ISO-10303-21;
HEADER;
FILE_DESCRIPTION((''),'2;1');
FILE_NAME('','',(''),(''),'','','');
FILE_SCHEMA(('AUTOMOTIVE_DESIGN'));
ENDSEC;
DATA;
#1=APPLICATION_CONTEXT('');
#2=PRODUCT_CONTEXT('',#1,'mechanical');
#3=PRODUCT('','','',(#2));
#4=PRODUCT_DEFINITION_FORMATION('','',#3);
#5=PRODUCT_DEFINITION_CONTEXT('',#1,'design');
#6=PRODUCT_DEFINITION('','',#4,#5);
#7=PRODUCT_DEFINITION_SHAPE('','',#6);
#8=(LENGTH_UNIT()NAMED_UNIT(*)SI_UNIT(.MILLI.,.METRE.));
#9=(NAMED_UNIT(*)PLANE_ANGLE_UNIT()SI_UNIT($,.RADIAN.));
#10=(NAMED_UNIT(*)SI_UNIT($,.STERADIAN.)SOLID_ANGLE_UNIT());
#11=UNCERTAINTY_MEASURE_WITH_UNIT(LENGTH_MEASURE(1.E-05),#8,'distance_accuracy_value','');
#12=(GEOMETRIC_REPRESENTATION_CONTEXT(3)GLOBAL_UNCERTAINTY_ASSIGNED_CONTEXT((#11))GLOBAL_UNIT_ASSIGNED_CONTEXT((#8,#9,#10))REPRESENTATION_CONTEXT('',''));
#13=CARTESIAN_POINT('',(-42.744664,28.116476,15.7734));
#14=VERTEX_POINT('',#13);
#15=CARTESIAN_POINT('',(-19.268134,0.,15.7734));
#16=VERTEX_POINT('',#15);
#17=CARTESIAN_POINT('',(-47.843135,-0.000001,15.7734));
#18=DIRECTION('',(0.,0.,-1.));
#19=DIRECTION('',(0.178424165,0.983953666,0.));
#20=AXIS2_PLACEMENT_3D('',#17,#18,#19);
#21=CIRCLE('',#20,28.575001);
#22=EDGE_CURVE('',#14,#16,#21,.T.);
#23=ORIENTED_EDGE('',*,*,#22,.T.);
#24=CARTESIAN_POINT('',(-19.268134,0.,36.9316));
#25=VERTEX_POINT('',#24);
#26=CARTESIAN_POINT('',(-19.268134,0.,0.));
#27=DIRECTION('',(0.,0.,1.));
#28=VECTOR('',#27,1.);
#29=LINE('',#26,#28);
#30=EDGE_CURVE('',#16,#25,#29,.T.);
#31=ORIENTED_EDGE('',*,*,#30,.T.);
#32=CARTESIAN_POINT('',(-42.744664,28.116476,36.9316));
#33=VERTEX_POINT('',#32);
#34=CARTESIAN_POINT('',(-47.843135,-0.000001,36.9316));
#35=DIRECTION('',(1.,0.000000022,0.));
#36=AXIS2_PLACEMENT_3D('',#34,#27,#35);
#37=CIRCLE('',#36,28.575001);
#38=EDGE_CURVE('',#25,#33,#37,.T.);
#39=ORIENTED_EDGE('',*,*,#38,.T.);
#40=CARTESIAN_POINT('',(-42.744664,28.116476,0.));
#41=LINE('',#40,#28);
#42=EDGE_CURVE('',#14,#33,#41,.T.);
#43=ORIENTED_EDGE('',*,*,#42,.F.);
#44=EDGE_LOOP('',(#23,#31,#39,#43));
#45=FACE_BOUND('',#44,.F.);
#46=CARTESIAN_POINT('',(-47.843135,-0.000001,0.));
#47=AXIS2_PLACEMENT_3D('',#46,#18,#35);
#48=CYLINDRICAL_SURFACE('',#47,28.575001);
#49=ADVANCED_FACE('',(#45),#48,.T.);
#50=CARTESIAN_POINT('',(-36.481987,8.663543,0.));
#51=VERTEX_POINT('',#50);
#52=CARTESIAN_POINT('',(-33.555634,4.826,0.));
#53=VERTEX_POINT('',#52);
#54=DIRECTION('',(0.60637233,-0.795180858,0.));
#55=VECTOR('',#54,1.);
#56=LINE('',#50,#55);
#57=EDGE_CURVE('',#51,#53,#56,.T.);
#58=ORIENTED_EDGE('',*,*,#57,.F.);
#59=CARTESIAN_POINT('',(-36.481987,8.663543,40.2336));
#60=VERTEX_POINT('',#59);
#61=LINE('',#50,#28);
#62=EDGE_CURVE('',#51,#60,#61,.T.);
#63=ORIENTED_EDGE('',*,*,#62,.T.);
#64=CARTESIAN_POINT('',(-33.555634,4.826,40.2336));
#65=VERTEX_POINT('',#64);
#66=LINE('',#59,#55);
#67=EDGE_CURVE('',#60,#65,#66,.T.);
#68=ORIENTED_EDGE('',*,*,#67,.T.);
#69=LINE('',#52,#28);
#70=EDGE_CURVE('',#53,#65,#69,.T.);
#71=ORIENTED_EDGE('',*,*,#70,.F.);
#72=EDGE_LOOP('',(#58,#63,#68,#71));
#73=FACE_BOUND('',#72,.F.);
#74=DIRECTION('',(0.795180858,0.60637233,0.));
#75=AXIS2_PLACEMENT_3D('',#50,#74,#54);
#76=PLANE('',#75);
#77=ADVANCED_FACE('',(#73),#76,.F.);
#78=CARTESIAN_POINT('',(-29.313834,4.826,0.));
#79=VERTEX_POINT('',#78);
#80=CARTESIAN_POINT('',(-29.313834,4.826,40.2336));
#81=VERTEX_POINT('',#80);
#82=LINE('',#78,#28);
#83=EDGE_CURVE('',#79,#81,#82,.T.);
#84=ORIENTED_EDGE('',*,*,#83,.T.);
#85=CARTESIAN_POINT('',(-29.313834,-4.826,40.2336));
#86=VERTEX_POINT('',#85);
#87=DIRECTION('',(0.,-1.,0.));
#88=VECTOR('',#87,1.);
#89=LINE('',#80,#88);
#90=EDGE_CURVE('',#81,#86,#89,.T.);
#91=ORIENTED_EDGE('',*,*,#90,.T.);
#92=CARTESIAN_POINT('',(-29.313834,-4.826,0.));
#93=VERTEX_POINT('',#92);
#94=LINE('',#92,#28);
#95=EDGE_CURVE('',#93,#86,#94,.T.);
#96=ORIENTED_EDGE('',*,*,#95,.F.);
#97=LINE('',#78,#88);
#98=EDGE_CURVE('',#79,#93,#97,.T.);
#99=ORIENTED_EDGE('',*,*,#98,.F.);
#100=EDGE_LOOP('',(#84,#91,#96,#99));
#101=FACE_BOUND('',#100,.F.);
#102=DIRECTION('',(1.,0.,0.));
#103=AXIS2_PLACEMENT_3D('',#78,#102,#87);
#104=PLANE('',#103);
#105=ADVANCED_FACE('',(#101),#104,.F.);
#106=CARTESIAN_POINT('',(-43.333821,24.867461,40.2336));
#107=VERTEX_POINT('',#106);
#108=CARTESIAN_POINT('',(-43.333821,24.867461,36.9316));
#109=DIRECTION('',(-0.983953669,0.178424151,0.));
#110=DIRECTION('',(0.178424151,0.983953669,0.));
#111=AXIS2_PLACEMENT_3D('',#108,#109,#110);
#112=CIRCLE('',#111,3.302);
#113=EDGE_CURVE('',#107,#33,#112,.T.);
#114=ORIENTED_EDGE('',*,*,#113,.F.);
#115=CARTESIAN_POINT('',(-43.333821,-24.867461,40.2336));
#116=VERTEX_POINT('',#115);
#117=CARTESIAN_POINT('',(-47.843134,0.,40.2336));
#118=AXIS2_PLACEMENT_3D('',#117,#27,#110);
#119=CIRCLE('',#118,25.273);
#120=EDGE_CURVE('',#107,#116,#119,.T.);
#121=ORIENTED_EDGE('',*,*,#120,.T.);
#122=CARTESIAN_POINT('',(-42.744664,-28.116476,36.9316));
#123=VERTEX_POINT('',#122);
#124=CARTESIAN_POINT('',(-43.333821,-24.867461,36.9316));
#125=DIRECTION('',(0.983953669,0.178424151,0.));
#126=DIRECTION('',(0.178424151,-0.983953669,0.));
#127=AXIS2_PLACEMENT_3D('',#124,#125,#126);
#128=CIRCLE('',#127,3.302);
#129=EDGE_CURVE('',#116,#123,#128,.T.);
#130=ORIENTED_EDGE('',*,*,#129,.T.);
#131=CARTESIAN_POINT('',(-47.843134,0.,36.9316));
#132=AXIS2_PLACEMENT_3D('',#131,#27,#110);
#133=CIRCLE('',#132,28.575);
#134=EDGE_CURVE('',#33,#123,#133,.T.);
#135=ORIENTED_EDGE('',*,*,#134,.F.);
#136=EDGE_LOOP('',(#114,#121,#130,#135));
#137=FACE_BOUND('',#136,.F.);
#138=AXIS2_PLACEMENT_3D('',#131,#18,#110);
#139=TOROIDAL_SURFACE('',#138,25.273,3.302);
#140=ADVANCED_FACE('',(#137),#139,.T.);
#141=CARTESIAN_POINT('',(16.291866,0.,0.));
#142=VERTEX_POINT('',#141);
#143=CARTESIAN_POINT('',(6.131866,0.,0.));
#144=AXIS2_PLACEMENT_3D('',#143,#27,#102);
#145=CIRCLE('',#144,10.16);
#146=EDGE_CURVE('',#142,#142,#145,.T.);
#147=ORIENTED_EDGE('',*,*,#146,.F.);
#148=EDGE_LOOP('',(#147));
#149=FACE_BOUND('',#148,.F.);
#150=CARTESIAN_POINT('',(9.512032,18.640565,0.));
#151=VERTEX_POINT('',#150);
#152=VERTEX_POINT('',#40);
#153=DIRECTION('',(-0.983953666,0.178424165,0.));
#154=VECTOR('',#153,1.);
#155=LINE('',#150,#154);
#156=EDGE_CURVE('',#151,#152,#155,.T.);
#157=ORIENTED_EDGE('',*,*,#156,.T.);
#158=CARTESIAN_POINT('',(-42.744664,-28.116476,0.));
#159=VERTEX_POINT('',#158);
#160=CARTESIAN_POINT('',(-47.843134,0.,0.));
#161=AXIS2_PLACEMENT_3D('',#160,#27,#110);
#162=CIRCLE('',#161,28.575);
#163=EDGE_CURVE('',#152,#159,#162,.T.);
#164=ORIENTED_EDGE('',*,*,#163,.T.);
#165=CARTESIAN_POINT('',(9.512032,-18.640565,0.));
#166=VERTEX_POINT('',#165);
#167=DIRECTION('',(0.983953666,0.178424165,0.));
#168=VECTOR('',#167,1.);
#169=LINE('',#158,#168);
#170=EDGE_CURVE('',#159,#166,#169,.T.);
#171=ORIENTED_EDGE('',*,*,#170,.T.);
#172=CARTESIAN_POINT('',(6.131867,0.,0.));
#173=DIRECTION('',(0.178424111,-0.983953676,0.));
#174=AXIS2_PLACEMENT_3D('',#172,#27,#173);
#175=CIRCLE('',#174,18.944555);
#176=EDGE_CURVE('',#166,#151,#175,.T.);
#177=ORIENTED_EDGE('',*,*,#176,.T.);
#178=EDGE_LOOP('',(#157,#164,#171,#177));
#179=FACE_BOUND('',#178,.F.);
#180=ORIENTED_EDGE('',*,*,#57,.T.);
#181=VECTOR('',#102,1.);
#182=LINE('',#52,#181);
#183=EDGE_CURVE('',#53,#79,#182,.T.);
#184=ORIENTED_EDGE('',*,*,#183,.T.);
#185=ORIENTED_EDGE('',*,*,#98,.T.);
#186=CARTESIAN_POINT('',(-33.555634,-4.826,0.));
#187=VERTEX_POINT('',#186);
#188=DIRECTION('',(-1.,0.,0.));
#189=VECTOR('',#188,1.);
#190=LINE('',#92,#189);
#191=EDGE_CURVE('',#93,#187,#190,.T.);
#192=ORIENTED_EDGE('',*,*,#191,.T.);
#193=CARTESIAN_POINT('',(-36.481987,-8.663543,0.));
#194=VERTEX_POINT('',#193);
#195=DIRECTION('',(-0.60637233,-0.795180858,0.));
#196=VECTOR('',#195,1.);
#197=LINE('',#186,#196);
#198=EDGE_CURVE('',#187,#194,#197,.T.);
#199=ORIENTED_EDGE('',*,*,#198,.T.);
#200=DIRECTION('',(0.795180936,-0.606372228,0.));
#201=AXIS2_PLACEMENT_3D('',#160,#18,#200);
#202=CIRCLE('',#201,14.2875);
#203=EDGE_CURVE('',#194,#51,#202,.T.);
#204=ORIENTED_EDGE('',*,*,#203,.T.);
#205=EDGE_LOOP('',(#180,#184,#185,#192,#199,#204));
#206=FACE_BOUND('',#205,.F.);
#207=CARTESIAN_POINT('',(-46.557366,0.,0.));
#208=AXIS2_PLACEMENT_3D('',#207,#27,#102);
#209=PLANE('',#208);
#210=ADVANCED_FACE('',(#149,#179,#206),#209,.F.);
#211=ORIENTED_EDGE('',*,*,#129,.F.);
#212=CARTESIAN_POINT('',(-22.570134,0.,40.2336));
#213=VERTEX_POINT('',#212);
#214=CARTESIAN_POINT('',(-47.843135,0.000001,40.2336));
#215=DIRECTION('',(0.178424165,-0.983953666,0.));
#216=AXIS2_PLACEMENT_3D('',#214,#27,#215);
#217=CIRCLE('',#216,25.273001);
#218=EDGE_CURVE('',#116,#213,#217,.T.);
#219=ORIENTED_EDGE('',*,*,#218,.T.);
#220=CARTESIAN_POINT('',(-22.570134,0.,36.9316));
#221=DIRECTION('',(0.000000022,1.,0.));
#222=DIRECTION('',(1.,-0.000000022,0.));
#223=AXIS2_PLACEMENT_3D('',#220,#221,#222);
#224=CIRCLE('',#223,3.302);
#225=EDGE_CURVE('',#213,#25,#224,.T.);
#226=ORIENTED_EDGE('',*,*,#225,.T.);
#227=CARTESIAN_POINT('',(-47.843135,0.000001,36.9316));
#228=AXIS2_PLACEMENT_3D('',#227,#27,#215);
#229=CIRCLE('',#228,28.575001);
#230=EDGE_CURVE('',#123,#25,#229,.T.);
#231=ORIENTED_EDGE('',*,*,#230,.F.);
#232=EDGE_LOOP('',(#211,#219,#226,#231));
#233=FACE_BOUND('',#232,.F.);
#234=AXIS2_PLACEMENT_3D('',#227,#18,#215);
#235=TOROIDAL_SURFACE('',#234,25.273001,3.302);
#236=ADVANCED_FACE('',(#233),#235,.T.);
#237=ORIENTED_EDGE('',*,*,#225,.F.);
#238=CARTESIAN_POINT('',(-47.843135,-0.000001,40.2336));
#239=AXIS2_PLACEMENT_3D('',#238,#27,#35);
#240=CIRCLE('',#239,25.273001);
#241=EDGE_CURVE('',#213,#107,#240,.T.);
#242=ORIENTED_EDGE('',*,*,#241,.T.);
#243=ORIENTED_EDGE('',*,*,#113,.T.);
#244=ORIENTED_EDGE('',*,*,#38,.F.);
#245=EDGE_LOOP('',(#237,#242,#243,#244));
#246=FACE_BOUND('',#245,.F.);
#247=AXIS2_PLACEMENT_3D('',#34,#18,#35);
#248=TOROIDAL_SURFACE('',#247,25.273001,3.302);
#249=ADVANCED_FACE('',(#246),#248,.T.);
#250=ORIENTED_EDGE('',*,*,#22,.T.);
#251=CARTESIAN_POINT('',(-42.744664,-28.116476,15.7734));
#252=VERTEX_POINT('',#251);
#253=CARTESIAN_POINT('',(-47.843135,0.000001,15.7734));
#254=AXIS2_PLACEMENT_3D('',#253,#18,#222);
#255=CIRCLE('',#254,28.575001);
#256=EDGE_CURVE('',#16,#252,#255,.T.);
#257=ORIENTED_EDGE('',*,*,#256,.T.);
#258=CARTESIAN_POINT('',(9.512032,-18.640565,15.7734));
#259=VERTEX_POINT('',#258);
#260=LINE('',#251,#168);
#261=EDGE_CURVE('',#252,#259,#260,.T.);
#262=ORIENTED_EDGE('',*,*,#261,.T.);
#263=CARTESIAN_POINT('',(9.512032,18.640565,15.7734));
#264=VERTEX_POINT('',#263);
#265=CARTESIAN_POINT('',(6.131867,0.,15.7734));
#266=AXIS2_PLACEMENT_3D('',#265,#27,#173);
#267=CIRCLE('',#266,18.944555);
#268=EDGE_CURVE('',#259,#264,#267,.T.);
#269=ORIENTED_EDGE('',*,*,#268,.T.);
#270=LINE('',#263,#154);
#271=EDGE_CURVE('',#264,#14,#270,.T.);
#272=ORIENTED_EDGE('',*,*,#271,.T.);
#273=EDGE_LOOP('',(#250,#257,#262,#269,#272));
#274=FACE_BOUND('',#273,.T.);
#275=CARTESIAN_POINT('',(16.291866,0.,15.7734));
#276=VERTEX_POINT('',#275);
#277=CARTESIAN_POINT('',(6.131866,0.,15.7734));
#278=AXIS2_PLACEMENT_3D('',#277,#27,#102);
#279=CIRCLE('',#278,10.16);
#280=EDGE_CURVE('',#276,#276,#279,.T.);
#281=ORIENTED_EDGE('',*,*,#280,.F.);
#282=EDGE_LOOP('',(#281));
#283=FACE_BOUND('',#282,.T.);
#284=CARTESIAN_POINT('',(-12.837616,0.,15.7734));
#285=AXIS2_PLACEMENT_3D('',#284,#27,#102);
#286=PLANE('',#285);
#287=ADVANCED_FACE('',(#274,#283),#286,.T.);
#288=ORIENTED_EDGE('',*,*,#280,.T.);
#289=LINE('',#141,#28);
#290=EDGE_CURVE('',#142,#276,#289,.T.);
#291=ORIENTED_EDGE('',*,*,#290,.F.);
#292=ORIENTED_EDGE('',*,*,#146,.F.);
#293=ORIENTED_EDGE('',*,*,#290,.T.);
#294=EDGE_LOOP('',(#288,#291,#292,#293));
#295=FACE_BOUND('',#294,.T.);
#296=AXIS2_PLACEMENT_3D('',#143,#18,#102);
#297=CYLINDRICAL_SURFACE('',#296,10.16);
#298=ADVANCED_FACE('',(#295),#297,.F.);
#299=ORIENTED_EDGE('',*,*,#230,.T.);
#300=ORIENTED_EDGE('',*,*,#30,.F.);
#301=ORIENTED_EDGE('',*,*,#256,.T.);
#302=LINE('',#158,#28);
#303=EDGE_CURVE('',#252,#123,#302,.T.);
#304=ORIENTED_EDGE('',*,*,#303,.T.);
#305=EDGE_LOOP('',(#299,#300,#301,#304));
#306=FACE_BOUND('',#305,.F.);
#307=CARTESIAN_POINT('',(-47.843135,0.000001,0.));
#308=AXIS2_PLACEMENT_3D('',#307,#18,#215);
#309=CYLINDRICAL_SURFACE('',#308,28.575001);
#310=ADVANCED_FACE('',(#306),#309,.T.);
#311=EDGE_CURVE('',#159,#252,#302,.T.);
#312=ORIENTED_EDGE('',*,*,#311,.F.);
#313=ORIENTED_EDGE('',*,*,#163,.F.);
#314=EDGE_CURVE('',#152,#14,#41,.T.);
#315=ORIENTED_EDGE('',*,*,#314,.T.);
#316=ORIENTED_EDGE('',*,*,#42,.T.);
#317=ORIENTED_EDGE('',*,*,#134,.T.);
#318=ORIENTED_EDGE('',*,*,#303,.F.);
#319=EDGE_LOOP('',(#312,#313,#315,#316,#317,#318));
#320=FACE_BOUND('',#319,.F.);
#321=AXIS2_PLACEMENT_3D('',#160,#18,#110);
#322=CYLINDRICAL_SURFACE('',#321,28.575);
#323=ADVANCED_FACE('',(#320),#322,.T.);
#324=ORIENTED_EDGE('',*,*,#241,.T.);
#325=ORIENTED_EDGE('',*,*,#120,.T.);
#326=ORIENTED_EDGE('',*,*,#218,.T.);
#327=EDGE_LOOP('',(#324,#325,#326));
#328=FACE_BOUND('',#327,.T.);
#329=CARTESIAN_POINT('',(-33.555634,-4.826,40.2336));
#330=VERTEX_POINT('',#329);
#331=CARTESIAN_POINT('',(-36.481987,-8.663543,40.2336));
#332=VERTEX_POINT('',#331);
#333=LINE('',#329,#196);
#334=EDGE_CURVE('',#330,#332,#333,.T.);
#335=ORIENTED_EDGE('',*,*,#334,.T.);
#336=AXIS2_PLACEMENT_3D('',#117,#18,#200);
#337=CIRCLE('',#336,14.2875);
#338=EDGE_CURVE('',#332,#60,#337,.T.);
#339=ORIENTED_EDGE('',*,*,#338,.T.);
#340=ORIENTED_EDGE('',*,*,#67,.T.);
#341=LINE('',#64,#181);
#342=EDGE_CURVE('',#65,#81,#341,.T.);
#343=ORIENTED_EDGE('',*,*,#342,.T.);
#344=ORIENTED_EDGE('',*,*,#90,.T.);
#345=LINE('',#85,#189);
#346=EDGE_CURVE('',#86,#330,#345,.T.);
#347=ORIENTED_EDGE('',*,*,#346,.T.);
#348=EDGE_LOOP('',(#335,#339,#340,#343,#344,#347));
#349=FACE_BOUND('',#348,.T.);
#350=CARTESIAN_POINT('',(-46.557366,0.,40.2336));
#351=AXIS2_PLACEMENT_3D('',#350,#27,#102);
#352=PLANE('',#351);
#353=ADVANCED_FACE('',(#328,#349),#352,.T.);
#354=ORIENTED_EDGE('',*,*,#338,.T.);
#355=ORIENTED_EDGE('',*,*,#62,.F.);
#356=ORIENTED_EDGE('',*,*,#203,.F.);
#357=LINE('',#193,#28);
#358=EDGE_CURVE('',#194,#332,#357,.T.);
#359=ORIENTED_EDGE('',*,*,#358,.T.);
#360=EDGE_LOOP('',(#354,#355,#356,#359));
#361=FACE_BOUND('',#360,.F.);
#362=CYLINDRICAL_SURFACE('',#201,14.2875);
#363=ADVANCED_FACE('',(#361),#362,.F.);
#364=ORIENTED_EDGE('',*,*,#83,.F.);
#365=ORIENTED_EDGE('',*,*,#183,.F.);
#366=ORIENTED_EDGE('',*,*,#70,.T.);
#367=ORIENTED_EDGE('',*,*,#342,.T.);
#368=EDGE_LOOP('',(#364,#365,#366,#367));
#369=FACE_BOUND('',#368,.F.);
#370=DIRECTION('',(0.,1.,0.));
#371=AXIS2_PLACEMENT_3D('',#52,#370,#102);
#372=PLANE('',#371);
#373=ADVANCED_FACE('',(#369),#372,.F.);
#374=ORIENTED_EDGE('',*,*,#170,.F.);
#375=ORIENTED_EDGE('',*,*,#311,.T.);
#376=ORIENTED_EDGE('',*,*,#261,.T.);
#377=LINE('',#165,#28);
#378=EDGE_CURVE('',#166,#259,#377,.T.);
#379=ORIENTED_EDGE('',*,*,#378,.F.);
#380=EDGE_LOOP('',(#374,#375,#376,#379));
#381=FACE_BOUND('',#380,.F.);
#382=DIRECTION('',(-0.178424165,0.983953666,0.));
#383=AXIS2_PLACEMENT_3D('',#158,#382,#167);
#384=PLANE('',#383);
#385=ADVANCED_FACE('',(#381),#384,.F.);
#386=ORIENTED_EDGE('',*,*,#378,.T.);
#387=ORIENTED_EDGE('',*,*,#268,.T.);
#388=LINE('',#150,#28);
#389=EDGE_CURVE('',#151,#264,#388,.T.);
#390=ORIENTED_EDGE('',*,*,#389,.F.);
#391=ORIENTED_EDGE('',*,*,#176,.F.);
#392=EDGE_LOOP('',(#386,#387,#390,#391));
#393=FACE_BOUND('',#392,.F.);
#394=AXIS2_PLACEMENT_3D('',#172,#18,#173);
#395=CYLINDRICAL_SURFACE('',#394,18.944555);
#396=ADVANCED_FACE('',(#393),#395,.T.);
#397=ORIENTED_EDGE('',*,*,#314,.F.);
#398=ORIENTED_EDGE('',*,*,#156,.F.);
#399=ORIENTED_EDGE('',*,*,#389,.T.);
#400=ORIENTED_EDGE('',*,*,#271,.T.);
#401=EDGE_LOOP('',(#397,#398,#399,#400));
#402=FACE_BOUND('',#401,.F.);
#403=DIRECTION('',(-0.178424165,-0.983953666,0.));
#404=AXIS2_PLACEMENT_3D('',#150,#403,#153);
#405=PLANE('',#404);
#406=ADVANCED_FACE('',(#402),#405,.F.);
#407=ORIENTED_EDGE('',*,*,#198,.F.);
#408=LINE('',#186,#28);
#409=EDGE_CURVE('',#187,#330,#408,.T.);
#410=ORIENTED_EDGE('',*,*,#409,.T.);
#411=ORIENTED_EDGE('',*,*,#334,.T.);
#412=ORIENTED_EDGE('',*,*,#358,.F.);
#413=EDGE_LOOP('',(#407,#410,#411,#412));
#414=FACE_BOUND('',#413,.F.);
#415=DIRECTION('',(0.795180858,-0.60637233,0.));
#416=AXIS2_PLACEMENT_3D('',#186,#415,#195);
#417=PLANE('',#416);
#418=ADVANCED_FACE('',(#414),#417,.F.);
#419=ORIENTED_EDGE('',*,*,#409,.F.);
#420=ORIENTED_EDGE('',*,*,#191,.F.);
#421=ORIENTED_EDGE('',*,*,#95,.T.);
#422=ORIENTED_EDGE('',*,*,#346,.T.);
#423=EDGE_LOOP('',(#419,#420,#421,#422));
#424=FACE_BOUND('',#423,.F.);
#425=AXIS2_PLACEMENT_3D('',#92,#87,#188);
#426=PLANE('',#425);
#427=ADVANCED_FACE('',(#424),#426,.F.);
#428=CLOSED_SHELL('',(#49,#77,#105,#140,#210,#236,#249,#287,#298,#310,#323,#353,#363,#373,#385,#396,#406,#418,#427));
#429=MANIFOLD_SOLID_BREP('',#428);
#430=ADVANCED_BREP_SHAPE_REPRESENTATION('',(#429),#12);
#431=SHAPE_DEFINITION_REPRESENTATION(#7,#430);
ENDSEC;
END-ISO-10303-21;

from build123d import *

# Parameters (mm, degrees)
F0_R     = 10.16
F1_DEPTH = 15.7734
F2_DEPTH = 40.2336
F3_R     = 3.302


with BuildPart() as f1:
    # F0 (on Top) → F1 (new body)
    with BuildSketch(Plane.XY):
        with BuildLine():
            ThreePointArc((-42.744664, 28.116476), (-25.908921, 18.3145), (-19.268134, 0))
            ThreePointArc((-19.268134, 0), (-25.908921, -18.3145), (-42.744664, -28.116476))
            Line((-42.744664, -28.116476), (9.512032, -18.640565))
            ThreePointArc((9.512032, -18.640565), (25.076422, 0), (9.512032, 18.640565))
            Line((9.512032, 18.640565), (-42.744664, 28.116476))
        make_face()
        with Locations((6.131866, 0)):
            Circle(F0_R, mode=Mode.SUBTRACT)
    extrude(amount=F1_DEPTH)

    # F0 (on Top) → F2 (join)
    with BuildSketch(Plane.XY):
        with BuildLine():
            ThreePointArc((-42.744664, -28.116476), (-25.908921, -18.3145), (-19.268134, 0))
            ThreePointArc((-19.268134, 0), (-25.908921, 18.3145), (-42.744664, 28.116476))
            ThreePointArc((-42.744664, 28.116476), (-76.418134, 0), (-42.744664, -28.116476))
        make_face()
        with BuildLine():
            ThreePointArc((-36.481987, -8.663543), (-62.130634, 0), (-36.481987, 8.663543))
            Line((-36.481987, 8.663543), (-33.555634, 4.826))
            Line((-33.555634, 4.826), (-29.313834, 4.826))
            Line((-29.313834, 4.826), (-29.313834, 0))
            Line((-29.313834, 0), (-29.313834, -4.826))
            Line((-29.313834, -4.826), (-33.555634, -4.826))
            Line((-33.555634, -4.826), (-36.481987, -8.663543))
        make_face(mode=Mode.SUBTRACT)
    extrude(amount=F2_DEPTH)

    # F3
    f3_edges = [f1.edges().sort_by_distance(p)[0] for p in [
        (-52.941605, 28.116476, 40.2336),
    ]]
    fillet(f3_edges, radius=F3_R)


solid = f1.part
